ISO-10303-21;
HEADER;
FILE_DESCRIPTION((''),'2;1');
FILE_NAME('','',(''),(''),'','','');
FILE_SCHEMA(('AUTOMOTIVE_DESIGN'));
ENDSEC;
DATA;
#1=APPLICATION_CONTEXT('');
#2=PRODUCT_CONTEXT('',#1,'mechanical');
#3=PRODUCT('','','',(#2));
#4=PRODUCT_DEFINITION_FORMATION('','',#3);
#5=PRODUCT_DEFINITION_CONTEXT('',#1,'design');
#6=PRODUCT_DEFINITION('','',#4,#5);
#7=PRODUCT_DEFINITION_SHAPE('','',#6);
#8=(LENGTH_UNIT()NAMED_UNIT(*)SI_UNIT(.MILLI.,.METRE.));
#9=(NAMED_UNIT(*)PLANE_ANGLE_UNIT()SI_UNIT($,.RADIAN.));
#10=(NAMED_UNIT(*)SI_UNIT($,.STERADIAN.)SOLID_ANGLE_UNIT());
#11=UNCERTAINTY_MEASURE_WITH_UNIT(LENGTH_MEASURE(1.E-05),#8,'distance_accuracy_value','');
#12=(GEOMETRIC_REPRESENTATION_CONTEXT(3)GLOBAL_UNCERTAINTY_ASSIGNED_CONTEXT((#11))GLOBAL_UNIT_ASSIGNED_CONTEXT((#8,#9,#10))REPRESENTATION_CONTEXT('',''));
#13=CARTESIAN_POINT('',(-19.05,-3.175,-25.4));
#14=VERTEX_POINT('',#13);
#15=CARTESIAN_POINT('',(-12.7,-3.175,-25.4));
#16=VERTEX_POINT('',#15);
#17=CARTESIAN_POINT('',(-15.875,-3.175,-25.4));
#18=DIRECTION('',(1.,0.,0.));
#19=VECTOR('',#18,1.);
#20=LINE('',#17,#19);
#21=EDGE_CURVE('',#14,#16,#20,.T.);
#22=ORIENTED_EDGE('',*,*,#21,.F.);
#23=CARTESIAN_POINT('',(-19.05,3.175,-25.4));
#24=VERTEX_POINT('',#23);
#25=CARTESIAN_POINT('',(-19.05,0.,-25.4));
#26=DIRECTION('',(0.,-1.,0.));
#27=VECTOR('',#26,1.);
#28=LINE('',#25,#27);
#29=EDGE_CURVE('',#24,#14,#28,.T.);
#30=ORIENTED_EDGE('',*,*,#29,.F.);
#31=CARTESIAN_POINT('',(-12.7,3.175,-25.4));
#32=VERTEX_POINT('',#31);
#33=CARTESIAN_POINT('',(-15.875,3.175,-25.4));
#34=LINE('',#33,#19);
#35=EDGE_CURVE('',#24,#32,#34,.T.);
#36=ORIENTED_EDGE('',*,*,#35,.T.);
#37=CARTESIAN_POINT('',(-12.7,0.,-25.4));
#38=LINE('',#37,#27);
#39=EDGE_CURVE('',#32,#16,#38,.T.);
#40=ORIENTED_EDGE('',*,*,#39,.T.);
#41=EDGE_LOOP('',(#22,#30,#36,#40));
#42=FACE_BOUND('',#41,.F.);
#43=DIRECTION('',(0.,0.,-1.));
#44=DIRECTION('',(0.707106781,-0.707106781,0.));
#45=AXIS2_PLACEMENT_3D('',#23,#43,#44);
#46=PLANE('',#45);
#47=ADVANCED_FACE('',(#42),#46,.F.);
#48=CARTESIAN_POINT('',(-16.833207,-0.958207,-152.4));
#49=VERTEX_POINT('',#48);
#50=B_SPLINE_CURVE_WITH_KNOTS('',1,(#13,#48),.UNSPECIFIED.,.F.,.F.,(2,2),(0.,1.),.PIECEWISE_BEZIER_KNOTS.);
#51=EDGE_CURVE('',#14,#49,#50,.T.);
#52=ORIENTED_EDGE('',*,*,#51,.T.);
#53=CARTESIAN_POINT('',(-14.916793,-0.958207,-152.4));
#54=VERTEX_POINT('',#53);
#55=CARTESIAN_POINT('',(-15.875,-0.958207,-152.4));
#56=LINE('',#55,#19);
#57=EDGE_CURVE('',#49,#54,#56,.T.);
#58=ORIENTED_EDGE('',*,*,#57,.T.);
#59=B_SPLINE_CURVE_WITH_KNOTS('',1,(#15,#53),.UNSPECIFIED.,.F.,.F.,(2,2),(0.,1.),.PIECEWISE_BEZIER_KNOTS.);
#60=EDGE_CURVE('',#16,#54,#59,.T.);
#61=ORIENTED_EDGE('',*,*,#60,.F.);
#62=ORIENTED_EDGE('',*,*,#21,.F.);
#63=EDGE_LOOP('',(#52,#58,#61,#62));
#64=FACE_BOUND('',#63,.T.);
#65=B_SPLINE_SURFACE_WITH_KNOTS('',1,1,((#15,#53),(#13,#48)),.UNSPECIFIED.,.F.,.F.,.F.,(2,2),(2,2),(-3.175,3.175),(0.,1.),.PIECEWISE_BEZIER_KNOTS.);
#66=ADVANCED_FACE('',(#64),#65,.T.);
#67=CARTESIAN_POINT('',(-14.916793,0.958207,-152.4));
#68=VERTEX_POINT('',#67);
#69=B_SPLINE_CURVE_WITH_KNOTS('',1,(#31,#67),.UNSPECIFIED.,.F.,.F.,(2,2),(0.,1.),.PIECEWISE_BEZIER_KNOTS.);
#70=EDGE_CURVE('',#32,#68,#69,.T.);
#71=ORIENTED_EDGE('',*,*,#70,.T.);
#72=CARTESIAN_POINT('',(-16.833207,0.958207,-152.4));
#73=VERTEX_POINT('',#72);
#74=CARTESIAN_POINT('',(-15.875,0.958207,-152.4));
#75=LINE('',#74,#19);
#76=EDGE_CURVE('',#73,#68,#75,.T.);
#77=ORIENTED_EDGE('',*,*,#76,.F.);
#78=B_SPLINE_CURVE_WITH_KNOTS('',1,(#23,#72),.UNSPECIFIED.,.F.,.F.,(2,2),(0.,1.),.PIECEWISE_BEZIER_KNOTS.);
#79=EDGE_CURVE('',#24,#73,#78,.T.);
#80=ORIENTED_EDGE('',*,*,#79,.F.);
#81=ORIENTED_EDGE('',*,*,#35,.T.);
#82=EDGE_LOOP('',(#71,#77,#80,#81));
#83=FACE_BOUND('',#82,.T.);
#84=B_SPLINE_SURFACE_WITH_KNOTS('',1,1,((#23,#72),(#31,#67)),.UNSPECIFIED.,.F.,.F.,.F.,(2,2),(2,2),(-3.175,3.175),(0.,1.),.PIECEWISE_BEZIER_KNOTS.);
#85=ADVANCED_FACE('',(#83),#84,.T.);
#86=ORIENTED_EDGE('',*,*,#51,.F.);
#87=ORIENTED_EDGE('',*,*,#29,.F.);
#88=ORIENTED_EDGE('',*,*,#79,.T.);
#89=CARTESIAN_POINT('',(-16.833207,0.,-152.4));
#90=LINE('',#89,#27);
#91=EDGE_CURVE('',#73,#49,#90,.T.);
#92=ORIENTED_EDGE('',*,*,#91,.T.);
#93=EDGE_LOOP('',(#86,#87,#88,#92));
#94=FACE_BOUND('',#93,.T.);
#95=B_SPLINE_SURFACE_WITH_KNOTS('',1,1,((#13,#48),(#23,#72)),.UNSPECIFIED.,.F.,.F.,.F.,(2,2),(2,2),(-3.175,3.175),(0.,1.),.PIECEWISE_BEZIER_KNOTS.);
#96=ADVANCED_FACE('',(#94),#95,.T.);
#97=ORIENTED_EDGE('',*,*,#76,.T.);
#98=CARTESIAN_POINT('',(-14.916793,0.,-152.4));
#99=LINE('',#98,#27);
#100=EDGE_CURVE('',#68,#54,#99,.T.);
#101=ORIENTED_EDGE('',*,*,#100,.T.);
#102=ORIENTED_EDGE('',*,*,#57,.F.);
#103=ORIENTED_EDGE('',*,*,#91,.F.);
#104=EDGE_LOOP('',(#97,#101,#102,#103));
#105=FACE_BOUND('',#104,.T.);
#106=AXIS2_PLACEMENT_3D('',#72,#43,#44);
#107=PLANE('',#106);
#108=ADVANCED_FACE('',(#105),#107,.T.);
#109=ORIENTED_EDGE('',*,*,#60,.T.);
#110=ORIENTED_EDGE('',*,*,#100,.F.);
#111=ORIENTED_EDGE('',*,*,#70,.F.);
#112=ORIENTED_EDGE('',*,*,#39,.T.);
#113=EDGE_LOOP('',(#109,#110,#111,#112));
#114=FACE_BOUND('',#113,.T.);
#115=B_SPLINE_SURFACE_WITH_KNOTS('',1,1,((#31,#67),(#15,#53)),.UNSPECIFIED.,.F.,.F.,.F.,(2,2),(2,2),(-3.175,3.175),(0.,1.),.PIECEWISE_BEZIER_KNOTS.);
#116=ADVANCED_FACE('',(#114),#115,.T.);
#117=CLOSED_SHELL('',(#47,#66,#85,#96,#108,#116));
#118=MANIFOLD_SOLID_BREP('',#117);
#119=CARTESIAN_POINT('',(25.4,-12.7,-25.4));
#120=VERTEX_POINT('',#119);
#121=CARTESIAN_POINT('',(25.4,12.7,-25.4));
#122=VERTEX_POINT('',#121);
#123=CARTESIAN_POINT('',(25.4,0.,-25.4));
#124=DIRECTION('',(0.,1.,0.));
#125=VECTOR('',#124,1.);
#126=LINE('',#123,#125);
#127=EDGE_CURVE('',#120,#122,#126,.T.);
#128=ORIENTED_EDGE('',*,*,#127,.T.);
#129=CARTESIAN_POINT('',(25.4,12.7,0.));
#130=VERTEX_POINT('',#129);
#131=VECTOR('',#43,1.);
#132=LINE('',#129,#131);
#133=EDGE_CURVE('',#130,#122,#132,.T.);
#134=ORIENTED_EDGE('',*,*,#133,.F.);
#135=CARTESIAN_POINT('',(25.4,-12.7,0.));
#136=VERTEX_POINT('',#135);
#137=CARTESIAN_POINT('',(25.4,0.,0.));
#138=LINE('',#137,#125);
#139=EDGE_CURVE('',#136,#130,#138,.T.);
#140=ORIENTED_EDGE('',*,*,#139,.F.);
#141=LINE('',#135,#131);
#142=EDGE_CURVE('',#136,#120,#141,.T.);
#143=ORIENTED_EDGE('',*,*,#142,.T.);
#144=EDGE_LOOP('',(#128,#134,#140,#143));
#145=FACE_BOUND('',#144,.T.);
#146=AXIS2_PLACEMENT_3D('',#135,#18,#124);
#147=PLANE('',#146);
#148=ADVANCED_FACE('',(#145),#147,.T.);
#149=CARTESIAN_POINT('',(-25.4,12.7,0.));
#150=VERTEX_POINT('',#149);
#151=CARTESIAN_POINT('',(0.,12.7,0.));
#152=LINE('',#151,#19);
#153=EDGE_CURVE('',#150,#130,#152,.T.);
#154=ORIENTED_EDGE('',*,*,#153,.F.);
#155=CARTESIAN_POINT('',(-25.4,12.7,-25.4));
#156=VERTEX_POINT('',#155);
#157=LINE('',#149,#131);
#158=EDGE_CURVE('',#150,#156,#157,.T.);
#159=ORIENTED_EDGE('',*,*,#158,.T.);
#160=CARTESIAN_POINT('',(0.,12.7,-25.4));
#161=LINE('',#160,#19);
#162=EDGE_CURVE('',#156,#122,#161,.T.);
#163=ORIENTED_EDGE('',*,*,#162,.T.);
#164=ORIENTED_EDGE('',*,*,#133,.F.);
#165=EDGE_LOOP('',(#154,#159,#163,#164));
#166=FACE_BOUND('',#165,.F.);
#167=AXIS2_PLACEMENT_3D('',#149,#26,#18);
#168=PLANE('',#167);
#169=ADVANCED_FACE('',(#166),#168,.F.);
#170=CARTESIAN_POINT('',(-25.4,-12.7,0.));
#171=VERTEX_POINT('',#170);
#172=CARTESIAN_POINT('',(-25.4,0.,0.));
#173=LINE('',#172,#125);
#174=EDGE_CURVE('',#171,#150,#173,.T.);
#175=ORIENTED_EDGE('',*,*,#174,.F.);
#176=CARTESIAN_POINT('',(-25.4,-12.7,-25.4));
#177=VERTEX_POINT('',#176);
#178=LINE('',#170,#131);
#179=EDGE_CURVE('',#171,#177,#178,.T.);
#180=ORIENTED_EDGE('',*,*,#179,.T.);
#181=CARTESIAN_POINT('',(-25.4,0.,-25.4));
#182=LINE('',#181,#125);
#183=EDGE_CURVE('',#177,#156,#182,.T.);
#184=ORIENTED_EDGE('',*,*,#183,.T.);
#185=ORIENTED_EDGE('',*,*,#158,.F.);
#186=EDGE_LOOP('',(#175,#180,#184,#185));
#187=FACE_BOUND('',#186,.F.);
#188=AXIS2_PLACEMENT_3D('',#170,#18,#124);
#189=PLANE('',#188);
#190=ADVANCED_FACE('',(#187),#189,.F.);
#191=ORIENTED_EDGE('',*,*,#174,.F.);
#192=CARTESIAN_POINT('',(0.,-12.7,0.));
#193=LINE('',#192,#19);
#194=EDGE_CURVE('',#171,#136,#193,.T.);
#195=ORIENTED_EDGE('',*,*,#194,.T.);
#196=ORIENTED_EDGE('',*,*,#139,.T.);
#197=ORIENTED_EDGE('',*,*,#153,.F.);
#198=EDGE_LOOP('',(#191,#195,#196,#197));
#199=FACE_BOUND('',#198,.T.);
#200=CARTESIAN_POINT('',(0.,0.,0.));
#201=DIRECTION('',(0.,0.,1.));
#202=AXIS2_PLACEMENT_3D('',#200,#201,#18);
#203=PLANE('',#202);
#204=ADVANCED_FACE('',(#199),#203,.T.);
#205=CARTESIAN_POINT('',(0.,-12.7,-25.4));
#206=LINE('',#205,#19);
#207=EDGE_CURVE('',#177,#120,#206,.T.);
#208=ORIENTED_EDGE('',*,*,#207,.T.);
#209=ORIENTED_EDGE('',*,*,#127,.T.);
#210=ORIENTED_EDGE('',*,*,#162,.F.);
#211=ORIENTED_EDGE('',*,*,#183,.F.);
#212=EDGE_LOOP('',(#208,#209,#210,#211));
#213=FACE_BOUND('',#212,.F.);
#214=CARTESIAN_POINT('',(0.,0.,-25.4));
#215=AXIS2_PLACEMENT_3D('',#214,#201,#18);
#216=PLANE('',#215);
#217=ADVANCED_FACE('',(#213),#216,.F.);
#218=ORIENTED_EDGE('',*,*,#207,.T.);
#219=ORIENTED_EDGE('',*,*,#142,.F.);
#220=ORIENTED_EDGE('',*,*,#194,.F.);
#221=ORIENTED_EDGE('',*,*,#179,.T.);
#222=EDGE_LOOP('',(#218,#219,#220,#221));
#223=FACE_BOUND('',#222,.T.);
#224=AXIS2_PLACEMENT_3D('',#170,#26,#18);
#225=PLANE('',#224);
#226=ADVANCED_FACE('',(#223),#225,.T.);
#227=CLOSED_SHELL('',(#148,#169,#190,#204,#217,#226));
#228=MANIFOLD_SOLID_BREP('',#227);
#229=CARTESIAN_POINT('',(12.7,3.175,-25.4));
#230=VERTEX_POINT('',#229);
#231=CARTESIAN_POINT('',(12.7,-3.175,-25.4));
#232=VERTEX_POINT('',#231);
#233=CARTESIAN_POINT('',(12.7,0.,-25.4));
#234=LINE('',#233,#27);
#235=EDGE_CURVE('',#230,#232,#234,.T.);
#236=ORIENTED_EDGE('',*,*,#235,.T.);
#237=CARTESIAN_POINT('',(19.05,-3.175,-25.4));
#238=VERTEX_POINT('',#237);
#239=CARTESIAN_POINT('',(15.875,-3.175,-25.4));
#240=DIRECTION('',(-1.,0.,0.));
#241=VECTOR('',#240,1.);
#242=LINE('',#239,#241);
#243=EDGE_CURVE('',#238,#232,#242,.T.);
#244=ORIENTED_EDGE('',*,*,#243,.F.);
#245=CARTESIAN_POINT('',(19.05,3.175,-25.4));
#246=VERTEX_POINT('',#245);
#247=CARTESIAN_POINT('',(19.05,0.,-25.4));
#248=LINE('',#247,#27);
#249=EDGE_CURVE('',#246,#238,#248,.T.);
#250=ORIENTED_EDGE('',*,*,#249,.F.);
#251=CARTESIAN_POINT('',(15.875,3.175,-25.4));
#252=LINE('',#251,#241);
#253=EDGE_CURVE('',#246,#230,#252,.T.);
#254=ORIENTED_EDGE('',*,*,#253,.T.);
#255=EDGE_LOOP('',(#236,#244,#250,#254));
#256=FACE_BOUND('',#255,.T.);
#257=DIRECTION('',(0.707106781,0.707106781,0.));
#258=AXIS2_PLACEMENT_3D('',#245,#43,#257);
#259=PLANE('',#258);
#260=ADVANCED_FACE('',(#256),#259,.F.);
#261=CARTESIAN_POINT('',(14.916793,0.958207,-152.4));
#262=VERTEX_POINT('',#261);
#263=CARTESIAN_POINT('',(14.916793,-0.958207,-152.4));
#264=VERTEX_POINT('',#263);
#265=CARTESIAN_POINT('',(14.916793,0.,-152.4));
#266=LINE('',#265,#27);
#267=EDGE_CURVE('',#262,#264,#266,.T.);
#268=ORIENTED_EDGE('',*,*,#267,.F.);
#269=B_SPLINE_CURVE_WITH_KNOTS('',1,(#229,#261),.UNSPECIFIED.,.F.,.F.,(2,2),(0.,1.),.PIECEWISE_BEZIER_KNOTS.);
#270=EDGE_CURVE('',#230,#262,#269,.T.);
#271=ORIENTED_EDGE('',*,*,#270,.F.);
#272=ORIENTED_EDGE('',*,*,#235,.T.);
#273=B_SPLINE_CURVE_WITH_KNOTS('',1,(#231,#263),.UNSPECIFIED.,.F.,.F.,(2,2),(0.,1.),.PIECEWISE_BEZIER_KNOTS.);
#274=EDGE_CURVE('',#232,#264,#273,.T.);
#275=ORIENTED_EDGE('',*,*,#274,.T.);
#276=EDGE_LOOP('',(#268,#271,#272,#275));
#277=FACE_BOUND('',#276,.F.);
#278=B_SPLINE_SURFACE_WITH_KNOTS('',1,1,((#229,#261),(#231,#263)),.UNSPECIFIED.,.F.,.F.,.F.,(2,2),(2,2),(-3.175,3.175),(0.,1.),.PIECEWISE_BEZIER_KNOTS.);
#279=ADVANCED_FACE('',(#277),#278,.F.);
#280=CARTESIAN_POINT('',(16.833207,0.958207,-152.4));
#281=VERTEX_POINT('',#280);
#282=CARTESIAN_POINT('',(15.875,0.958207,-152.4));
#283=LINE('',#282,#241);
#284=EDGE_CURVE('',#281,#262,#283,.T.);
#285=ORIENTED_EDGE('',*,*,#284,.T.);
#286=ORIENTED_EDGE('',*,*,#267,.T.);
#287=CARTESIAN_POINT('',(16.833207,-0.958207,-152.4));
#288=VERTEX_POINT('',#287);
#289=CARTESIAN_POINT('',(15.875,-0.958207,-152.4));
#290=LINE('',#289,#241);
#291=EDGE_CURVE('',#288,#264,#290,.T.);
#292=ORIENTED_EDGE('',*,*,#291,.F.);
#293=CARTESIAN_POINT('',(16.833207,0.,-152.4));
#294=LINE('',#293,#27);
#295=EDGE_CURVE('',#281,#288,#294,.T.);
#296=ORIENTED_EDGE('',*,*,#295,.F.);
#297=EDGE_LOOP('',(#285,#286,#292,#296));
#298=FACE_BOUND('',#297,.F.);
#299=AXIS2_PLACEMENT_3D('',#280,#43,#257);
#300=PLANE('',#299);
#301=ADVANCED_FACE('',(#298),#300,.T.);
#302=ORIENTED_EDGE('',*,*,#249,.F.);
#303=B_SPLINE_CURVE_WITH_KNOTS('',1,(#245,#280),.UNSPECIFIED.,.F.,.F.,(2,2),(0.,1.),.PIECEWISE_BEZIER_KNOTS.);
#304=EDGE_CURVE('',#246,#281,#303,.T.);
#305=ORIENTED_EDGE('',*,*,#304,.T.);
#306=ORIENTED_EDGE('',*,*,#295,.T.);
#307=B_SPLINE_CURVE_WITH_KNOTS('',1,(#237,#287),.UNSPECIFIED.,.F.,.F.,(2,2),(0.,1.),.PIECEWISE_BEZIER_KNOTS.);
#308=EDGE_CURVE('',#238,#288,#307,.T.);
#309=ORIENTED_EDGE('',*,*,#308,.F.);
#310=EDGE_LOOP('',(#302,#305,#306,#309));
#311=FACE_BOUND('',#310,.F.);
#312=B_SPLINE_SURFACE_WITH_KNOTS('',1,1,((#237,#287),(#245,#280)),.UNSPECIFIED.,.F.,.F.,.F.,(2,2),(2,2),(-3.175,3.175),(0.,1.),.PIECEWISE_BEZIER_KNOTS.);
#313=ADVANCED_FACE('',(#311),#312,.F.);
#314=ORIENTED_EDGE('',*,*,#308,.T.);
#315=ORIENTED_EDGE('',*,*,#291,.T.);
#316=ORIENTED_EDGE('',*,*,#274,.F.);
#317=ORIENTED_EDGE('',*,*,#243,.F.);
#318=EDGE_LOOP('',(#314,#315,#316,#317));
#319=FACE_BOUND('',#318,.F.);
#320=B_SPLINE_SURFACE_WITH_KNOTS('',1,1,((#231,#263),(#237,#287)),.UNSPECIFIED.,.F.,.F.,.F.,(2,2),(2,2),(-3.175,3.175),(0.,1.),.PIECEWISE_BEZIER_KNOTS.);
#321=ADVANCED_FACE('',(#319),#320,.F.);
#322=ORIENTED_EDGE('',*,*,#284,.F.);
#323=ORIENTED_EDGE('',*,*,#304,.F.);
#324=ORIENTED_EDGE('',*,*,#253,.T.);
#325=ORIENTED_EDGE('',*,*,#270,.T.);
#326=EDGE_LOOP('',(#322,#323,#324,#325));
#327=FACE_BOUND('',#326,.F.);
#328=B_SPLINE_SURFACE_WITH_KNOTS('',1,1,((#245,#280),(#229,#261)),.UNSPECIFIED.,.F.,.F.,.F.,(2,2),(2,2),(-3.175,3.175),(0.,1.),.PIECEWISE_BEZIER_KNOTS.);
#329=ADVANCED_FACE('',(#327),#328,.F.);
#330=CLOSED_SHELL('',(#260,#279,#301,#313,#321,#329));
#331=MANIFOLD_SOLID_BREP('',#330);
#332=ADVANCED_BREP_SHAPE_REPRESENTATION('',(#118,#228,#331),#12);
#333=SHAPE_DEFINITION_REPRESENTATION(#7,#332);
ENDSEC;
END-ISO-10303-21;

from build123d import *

# Parameters (mm, degrees)
F0_W     = 50.8
F0_H     = 25.4
F1_DEPTH = 25.4
F2_W     = 6.35
F2_H     = 6.35
F3_DEPTH = 127
F3_TAPER = 1


with BuildPart() as f1:
    # F0 (on Top) → F1 (new body)
    with BuildSketch(Plane.XY):
        Rectangle(F0_W, F0_H)
    extrude(amount=-F1_DEPTH)


with BuildPart() as f3:
    # F2 (on face) → F3 (new body)
    with BuildSketch(Plane(origin=(0, 0, -25.4), x_dir=(1, 0, 0), z_dir=(0, 0, -1))):
        with Locations((-15.875, 0)):
            Rectangle(F2_W, F2_H)
    extrude(amount=F3_DEPTH, taper=F3_TAPER)


with BuildPart() as f4_1:
    # F4: instance of F3
    add(f3.part.mirror(Plane.YZ))


solid = Compound([f1.part, f3.part, f4_1.part])
